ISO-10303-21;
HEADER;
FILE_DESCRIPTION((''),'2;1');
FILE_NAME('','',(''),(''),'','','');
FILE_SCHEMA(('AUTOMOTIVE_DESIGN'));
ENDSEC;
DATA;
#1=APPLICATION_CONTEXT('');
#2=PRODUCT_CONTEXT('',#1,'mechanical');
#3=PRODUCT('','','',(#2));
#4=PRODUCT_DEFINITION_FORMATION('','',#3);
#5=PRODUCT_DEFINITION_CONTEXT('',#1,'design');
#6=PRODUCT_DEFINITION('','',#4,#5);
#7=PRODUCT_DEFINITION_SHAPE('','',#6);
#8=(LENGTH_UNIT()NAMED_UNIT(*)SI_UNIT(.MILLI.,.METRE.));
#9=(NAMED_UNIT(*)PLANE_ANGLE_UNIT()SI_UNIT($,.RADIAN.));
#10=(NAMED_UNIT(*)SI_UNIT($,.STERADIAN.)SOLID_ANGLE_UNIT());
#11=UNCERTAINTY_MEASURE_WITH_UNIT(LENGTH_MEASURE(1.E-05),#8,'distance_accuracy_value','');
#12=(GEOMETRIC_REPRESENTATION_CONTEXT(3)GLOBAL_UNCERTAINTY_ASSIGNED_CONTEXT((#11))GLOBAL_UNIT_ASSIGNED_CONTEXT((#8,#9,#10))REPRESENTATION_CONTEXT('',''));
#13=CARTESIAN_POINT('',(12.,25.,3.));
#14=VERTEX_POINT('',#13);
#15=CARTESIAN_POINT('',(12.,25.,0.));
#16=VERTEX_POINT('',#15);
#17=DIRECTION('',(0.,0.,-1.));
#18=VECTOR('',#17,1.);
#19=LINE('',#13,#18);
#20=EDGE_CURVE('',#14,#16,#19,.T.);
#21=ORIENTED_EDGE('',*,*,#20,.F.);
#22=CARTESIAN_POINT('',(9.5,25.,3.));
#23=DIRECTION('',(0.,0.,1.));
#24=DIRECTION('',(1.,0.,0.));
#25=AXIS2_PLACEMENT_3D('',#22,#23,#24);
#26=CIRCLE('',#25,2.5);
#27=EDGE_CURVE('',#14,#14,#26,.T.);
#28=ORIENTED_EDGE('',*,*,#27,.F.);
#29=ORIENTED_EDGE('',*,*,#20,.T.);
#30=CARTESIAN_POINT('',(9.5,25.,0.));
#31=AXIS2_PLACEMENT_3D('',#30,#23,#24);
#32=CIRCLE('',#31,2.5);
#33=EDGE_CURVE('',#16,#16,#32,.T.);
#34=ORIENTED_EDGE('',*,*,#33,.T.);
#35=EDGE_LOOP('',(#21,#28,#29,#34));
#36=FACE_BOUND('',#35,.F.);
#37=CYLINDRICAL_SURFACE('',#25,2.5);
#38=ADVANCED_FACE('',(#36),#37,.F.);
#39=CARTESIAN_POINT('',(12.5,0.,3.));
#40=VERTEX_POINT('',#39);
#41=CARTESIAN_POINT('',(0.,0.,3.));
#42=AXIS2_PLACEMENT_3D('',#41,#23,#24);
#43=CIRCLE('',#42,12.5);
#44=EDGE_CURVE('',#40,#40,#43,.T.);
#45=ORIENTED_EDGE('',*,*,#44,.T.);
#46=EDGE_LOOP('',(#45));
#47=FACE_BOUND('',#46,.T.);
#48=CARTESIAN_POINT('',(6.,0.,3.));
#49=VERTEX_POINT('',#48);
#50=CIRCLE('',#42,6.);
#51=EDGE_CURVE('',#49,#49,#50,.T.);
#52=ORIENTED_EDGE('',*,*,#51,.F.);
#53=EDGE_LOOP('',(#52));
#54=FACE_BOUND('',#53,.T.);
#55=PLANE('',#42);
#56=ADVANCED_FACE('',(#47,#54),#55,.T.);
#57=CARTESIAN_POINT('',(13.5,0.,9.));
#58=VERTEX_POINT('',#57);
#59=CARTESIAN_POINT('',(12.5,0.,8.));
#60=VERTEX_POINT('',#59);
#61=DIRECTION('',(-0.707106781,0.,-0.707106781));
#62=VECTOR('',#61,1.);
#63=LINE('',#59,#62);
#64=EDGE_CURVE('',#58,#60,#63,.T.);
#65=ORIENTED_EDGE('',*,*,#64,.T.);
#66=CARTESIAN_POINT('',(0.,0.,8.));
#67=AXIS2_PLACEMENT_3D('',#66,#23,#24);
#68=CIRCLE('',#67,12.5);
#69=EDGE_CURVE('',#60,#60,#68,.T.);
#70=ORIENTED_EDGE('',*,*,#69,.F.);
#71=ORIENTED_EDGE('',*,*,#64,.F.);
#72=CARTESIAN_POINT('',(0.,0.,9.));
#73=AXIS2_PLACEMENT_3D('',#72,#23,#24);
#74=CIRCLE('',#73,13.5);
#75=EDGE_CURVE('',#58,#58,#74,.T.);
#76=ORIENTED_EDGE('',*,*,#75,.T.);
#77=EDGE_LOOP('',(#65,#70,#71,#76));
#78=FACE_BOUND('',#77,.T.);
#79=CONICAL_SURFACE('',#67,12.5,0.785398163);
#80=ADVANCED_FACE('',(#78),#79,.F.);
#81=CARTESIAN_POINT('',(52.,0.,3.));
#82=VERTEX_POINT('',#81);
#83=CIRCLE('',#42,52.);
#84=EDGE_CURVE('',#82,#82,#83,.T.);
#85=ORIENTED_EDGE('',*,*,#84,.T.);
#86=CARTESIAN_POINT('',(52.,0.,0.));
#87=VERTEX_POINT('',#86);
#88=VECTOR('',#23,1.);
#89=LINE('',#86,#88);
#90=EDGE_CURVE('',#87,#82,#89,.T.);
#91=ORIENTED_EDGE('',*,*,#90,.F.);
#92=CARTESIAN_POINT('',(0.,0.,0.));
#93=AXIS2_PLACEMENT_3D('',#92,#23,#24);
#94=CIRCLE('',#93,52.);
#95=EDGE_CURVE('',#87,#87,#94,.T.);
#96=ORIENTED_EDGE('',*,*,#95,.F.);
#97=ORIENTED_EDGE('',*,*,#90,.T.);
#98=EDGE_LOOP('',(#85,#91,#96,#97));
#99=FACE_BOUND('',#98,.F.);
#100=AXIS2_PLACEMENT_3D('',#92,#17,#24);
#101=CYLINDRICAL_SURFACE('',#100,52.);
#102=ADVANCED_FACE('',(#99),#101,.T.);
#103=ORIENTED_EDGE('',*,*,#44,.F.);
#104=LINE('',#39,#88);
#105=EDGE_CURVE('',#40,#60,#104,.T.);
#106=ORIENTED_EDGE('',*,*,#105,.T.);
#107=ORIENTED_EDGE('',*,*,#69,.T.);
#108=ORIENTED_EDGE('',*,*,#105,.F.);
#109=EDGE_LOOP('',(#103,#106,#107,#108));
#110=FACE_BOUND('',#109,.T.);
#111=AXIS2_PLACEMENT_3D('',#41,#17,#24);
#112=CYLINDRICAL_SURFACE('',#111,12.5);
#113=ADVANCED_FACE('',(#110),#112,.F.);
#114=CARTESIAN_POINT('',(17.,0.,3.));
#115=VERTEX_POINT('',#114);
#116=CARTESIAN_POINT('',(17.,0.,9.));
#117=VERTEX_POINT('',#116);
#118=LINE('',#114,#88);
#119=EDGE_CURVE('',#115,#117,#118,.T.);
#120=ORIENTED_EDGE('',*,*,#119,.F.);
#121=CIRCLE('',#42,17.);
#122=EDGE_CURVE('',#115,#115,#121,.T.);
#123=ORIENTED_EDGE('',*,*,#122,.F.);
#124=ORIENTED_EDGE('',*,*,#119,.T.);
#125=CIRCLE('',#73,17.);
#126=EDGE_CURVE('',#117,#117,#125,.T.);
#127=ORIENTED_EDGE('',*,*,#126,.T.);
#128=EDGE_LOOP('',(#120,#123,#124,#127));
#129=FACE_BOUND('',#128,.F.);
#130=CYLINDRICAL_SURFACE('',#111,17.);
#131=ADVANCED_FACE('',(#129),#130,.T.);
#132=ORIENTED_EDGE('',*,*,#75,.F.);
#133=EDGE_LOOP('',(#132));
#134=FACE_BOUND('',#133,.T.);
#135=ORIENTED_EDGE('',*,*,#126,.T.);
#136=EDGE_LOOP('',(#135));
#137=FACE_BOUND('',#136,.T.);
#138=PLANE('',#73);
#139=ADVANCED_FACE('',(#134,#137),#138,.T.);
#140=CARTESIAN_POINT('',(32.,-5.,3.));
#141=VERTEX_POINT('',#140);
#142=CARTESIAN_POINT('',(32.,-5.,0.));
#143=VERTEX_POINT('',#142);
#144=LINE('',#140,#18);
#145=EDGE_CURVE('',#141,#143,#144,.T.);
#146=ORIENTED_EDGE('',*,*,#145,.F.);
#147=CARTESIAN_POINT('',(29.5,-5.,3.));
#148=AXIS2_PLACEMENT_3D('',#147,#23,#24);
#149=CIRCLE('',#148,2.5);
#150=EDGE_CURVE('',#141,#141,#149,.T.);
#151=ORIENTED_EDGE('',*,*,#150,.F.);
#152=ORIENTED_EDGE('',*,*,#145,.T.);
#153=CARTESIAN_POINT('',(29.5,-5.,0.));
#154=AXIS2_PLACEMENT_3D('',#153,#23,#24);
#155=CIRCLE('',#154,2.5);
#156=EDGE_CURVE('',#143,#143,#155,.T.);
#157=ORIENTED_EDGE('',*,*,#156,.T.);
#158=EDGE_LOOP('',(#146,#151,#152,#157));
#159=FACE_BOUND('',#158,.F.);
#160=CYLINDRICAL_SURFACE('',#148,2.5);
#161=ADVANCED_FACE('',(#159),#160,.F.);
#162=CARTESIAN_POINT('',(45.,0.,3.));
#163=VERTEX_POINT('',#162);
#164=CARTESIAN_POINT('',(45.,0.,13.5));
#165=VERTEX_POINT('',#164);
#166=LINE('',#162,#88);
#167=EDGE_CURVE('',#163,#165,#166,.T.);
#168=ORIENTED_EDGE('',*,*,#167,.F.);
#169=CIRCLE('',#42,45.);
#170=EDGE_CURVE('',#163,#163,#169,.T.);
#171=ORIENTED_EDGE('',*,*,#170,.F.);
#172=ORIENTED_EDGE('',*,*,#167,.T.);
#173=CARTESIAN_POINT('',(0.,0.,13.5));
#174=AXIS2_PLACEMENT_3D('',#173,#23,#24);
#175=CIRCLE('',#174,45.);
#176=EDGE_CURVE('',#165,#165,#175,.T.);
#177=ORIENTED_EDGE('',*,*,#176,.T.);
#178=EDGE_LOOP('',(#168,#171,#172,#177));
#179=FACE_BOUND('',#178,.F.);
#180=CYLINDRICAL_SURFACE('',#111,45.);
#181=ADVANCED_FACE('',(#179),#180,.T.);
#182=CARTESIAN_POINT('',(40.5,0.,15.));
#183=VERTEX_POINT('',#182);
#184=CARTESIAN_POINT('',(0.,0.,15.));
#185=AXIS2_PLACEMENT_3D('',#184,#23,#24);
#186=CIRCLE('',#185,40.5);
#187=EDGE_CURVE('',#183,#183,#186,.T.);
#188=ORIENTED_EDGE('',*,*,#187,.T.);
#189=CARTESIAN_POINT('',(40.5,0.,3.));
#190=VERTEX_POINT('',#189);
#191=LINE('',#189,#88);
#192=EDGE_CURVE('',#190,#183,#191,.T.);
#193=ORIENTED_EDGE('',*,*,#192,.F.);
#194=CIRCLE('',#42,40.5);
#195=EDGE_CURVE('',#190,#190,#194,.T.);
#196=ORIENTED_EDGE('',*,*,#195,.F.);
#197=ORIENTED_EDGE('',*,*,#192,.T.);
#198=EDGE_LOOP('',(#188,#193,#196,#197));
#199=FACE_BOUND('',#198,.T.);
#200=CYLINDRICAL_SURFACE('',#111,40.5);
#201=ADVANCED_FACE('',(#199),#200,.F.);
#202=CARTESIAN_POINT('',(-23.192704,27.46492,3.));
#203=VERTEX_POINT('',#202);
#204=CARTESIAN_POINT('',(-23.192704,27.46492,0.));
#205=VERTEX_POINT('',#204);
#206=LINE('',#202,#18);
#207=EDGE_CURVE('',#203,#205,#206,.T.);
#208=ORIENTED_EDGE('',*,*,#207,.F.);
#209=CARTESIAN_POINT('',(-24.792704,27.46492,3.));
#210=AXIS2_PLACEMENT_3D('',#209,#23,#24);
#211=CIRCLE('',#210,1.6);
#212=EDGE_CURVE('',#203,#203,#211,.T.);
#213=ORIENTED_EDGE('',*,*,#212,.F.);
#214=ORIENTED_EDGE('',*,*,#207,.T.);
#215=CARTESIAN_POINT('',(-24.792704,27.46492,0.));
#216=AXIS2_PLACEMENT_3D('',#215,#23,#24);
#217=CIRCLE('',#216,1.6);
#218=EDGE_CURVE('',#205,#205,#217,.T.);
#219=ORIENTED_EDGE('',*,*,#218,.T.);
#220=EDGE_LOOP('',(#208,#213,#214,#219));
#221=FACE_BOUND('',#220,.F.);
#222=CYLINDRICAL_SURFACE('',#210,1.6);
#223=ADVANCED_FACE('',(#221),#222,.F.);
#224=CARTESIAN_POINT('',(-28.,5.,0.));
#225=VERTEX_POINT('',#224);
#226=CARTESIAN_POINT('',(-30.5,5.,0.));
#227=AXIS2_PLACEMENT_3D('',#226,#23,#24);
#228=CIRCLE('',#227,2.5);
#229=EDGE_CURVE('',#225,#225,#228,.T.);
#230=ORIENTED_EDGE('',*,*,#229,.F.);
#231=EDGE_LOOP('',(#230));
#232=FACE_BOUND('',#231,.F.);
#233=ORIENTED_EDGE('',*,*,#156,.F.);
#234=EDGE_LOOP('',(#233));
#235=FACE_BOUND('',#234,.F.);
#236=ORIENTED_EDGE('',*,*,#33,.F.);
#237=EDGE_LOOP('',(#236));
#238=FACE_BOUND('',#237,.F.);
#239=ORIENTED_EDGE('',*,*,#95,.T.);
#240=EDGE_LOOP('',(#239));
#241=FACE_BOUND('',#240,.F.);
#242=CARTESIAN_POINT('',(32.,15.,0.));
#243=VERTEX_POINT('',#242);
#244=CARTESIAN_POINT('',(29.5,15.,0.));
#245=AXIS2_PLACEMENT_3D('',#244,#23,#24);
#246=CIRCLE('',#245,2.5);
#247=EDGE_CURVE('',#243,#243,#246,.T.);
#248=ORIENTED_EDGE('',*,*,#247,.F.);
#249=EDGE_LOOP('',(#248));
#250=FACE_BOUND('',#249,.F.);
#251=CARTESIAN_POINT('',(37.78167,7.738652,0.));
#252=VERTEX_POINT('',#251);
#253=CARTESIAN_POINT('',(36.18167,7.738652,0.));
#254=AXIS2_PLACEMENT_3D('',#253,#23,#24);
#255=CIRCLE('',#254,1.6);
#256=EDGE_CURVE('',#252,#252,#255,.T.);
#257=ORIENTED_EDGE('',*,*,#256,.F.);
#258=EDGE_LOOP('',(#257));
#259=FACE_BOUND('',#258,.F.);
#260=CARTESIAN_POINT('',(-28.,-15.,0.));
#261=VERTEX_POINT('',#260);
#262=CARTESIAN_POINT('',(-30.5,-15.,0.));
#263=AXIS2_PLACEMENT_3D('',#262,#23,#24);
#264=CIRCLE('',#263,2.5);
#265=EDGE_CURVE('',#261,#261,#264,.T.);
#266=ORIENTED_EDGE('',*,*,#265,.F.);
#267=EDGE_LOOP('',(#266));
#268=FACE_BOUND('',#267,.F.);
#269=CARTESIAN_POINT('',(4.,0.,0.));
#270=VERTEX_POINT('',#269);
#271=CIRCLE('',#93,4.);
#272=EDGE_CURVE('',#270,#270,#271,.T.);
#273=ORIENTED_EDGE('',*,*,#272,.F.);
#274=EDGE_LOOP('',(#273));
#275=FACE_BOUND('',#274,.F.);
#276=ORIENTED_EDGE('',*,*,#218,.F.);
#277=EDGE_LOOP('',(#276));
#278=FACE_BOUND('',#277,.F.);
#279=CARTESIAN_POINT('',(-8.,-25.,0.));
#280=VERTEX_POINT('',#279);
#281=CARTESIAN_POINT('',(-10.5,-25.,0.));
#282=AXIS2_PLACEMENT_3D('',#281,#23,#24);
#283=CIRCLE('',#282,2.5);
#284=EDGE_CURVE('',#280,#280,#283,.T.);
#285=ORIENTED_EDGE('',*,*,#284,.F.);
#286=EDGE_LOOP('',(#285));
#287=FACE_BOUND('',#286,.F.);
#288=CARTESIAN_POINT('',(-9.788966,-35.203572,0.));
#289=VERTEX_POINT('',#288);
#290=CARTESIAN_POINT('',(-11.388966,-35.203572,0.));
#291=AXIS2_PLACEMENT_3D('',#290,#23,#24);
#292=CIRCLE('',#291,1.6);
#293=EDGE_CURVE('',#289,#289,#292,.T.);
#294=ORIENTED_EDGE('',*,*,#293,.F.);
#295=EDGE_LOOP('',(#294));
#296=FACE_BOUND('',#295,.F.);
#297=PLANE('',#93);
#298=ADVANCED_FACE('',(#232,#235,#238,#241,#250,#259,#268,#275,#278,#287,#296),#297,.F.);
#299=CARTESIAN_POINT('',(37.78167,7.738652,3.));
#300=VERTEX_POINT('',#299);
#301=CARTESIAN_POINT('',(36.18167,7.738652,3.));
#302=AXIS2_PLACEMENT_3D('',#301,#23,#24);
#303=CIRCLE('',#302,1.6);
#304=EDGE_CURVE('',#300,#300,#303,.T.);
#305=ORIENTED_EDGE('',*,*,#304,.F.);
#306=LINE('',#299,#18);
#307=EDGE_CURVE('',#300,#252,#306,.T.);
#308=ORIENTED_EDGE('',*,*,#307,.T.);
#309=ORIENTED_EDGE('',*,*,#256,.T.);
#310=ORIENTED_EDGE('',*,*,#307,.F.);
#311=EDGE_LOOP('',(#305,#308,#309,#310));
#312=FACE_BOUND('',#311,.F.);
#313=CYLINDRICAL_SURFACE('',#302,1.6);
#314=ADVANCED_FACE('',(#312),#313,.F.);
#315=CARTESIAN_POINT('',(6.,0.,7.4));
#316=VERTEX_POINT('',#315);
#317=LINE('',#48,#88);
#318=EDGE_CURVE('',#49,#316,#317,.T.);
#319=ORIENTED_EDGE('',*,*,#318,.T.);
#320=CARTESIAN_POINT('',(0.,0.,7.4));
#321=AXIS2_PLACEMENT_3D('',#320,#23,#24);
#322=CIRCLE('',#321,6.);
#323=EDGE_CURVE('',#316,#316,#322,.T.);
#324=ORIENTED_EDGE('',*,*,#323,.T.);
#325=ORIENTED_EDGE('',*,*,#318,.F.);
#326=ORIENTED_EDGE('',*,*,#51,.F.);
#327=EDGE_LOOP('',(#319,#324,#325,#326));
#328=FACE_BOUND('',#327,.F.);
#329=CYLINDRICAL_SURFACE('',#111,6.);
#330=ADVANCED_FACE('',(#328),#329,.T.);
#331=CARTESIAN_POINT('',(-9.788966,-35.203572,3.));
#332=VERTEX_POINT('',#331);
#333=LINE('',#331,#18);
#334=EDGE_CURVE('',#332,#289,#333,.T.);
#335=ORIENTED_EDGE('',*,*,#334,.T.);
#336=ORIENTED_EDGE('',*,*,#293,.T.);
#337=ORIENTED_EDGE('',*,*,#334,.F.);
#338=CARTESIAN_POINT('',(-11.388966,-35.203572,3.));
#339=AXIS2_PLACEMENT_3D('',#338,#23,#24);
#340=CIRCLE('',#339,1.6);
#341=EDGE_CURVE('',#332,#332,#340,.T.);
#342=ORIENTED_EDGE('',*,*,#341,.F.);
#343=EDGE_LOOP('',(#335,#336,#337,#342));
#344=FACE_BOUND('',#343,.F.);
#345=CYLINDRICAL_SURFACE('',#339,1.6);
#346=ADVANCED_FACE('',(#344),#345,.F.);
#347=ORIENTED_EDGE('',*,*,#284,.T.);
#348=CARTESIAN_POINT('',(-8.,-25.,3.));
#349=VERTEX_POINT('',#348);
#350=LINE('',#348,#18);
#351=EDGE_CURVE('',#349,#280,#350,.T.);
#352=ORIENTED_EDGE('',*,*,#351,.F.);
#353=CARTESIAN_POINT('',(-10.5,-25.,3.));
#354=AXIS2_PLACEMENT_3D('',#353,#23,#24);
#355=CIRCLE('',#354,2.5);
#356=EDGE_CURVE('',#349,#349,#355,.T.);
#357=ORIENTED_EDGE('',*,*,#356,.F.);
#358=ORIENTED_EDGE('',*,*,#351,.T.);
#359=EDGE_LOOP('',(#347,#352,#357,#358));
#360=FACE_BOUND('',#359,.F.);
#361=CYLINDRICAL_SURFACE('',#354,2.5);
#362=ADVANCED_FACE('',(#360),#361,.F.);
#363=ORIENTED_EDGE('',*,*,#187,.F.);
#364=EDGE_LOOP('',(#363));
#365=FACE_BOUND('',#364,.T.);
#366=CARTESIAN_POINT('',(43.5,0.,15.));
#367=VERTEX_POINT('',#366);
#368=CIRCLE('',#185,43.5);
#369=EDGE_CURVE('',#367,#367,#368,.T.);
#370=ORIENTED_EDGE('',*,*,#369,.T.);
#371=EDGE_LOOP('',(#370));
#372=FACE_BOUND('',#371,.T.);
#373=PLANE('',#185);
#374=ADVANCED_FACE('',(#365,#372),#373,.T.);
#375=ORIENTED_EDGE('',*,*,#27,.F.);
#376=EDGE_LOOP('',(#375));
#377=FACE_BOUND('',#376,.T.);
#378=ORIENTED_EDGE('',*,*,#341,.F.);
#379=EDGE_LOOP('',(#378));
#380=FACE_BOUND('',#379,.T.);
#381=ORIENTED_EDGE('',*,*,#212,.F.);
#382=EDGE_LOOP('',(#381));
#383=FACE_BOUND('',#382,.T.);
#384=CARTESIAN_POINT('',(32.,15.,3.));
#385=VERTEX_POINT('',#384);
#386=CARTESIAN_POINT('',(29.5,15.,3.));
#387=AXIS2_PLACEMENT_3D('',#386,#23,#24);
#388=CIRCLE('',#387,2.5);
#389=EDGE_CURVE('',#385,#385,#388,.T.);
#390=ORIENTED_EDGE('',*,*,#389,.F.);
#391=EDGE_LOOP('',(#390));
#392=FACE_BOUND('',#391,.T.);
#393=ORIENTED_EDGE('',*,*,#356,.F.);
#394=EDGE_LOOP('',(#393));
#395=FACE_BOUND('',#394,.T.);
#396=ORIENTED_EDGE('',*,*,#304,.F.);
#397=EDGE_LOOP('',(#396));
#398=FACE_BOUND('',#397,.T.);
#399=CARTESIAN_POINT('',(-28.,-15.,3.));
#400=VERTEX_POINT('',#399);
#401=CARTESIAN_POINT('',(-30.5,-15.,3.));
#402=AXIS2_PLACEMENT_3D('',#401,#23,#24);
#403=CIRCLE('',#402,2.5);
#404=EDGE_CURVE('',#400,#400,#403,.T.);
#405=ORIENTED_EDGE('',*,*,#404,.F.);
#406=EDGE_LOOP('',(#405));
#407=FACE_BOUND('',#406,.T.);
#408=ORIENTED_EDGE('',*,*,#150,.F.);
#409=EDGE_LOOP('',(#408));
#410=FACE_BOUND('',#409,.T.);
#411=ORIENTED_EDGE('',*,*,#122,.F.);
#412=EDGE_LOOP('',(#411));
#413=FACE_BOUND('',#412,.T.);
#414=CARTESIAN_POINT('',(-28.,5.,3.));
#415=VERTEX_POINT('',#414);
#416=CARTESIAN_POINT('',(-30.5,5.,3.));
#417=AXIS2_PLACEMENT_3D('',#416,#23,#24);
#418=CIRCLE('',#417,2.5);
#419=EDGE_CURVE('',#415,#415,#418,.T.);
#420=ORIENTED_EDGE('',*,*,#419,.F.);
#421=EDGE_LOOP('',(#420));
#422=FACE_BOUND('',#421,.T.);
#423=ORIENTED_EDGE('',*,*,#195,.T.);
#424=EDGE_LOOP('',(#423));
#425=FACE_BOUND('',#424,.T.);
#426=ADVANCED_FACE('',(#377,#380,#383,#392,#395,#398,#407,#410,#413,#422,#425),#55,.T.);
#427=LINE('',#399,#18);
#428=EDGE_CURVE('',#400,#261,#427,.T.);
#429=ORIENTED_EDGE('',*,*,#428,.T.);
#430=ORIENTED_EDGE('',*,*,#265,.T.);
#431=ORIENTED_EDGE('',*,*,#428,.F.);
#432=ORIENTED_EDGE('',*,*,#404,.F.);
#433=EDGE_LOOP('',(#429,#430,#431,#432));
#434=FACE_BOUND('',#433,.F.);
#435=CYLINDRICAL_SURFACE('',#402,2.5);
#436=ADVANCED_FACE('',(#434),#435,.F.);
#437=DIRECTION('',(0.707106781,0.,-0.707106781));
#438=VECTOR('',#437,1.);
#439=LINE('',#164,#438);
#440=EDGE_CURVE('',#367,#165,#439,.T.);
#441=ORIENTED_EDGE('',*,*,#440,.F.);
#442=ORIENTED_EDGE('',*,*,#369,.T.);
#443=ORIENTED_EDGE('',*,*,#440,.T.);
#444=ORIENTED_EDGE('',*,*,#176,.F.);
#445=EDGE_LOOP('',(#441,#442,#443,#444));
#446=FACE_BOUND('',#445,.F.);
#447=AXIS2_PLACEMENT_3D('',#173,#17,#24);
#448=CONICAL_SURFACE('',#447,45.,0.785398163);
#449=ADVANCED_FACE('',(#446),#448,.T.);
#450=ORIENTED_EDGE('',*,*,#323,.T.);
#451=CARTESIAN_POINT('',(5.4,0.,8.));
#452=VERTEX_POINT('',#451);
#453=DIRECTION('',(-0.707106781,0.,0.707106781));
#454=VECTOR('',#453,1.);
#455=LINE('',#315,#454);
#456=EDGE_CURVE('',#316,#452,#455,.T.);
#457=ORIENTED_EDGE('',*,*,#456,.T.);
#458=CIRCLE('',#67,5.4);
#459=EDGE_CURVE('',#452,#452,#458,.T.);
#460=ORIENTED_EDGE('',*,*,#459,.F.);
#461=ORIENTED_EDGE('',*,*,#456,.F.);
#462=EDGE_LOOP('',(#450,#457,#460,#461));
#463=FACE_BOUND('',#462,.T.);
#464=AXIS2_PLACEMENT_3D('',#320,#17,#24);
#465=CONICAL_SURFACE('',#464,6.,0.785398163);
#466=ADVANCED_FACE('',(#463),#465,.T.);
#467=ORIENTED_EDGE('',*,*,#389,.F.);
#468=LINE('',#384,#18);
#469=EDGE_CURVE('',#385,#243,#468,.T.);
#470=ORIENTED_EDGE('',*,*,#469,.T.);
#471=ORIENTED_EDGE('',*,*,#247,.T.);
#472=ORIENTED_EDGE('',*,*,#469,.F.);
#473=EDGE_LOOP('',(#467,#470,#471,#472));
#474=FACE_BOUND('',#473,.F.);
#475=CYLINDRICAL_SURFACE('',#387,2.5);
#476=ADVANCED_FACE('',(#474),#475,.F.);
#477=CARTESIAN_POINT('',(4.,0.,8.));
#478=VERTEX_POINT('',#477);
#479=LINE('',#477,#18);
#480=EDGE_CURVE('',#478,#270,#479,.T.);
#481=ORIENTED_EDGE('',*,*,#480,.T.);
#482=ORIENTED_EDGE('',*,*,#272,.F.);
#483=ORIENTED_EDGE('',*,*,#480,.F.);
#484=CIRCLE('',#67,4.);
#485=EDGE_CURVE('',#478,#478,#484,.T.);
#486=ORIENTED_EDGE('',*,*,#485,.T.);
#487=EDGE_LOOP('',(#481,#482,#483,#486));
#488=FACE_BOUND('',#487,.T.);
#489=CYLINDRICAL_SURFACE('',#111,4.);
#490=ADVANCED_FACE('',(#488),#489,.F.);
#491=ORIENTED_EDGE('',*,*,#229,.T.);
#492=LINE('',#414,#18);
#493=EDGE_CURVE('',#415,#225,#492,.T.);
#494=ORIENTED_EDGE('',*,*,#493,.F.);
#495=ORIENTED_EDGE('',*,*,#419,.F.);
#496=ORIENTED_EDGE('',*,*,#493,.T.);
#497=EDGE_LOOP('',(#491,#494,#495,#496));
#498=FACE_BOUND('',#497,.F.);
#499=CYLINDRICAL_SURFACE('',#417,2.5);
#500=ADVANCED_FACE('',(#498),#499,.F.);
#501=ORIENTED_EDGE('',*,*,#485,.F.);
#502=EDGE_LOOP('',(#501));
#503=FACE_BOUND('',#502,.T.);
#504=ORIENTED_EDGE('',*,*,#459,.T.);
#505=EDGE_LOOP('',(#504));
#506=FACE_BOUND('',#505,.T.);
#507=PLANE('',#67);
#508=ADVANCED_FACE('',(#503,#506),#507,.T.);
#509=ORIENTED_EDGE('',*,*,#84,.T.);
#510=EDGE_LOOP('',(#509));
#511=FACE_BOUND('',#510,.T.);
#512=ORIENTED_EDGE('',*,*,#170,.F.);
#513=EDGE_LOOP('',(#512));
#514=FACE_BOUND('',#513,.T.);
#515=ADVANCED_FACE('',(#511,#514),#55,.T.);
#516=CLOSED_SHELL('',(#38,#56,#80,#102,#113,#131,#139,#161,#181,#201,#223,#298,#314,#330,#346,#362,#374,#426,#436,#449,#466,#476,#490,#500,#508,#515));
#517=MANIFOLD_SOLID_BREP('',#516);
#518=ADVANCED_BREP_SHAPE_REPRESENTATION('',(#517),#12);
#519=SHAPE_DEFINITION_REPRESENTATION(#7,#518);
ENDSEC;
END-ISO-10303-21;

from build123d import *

# Parameters (mm, degrees)
SKETCH_R        = 52
SKETCH_R_2      = 4
PAD_DEPTH       = 3
SKETCH001_R     = 45
SKETCH001_R_2   = 40.5
PAD001_DEPTH    = 12
SKETCH002_R     = 2.5
POCKET_DEPTH    = 3.001
SKETCH003_R     = 17
SKETCH003_R_2   = 12.5
PAD002_DEPTH    = 6
SKETCH004_R     = 6
SKETCH004_R_2   = 4
PAD003_DEPTH    = 5
CHAMFER_SIZE    = 1.5
CHAMFER001_SIZE = 1
CHAMFER002_SIZE = 0.6
SKETCH005_R     = 1.6
POCKET001_DEPTH = 3.001


with BuildPart() as part:
    # Sketch → Pad (new body)
    with BuildSketch(Plane.XY):
        Circle(SKETCH_R)
        Circle(SKETCH_R_2, mode=Mode.SUBTRACT)
    extrude(amount=PAD_DEPTH)

    # Sketch001 (on Face4 of Pad) → Pad001 (join)
    with BuildSketch(Plane.XY.offset(3)):
        Circle(SKETCH001_R)
        Circle(SKETCH001_R_2, mode=Mode.SUBTRACT)
    extrude(amount=PAD001_DEPTH)

    # Sketch002 (on Face6 of Pad001) → Pocket (cut, through all)
    with BuildSketch(Plane.XY.offset(3)):
        with Locations((-30.5, 5)):
            Circle(SKETCH002_R)
        with Locations((-30.5, -15)):
            Circle(SKETCH002_R)
        with Locations((-10.5, -25)):
            Circle(SKETCH002_R)
        with Locations((9.5, 25)):
            Circle(SKETCH002_R)
        with Locations((29.5, 15)):
            Circle(SKETCH002_R)
        with Locations((29.5, -5)):
            Circle(SKETCH002_R)
    extrude(amount=-POCKET_DEPTH, mode=Mode.SUBTRACT)

    # Sketch003 (on Face12 of Pocket) → Pad002 (join)
    with BuildSketch(Plane.XY.offset(3)):
        Circle(SKETCH003_R)
        Circle(SKETCH003_R_2, mode=Mode.SUBTRACT)
    extrude(amount=PAD002_DEPTH)

    # Sketch004 (on Face13 of Pad002) → Pad003 (join)
    with BuildSketch(Plane.XY.offset(3)):
        Circle(SKETCH004_R)
        Circle(SKETCH004_R_2, mode=Mode.SUBTRACT)
    extrude(amount=PAD003_DEPTH)

    # Chamfer
    chamfer_edges = [part.edges().sort_by_distance(p)[0] for p in [
        (-45, 0, 15),
    ]]
    chamfer(chamfer_edges, length=CHAMFER_SIZE)

    # Chamfer001
    chamfer001_edges = [part.edges().sort_by_distance(p)[0] for p in [
        (-12.5, 0, 9),
    ]]
    chamfer(chamfer001_edges, length=CHAMFER001_SIZE)

    # Chamfer002
    chamfer002_edges = [part.edges().sort_by_distance(p)[0] for p in [
        (-6, 0, 8),
    ]]
    chamfer(chamfer002_edges, length=CHAMFER002_SIZE)

    # Sketch005 (on Face19 of Chamfer002) → Pocket001 (cut, through all)
    with BuildSketch(Plane.XY.offset(3)):
        with Locations((-24.792704, 27.46492)):
            Circle(SKETCH005_R)
        with Locations((36.18167, 7.738652)):
            Circle(SKETCH005_R)
        with Locations((-11.388966, -35.203572)):
            Circle(SKETCH005_R)
    extrude(amount=-POCKET001_DEPTH, mode=Mode.SUBTRACT)


solid = part.part
